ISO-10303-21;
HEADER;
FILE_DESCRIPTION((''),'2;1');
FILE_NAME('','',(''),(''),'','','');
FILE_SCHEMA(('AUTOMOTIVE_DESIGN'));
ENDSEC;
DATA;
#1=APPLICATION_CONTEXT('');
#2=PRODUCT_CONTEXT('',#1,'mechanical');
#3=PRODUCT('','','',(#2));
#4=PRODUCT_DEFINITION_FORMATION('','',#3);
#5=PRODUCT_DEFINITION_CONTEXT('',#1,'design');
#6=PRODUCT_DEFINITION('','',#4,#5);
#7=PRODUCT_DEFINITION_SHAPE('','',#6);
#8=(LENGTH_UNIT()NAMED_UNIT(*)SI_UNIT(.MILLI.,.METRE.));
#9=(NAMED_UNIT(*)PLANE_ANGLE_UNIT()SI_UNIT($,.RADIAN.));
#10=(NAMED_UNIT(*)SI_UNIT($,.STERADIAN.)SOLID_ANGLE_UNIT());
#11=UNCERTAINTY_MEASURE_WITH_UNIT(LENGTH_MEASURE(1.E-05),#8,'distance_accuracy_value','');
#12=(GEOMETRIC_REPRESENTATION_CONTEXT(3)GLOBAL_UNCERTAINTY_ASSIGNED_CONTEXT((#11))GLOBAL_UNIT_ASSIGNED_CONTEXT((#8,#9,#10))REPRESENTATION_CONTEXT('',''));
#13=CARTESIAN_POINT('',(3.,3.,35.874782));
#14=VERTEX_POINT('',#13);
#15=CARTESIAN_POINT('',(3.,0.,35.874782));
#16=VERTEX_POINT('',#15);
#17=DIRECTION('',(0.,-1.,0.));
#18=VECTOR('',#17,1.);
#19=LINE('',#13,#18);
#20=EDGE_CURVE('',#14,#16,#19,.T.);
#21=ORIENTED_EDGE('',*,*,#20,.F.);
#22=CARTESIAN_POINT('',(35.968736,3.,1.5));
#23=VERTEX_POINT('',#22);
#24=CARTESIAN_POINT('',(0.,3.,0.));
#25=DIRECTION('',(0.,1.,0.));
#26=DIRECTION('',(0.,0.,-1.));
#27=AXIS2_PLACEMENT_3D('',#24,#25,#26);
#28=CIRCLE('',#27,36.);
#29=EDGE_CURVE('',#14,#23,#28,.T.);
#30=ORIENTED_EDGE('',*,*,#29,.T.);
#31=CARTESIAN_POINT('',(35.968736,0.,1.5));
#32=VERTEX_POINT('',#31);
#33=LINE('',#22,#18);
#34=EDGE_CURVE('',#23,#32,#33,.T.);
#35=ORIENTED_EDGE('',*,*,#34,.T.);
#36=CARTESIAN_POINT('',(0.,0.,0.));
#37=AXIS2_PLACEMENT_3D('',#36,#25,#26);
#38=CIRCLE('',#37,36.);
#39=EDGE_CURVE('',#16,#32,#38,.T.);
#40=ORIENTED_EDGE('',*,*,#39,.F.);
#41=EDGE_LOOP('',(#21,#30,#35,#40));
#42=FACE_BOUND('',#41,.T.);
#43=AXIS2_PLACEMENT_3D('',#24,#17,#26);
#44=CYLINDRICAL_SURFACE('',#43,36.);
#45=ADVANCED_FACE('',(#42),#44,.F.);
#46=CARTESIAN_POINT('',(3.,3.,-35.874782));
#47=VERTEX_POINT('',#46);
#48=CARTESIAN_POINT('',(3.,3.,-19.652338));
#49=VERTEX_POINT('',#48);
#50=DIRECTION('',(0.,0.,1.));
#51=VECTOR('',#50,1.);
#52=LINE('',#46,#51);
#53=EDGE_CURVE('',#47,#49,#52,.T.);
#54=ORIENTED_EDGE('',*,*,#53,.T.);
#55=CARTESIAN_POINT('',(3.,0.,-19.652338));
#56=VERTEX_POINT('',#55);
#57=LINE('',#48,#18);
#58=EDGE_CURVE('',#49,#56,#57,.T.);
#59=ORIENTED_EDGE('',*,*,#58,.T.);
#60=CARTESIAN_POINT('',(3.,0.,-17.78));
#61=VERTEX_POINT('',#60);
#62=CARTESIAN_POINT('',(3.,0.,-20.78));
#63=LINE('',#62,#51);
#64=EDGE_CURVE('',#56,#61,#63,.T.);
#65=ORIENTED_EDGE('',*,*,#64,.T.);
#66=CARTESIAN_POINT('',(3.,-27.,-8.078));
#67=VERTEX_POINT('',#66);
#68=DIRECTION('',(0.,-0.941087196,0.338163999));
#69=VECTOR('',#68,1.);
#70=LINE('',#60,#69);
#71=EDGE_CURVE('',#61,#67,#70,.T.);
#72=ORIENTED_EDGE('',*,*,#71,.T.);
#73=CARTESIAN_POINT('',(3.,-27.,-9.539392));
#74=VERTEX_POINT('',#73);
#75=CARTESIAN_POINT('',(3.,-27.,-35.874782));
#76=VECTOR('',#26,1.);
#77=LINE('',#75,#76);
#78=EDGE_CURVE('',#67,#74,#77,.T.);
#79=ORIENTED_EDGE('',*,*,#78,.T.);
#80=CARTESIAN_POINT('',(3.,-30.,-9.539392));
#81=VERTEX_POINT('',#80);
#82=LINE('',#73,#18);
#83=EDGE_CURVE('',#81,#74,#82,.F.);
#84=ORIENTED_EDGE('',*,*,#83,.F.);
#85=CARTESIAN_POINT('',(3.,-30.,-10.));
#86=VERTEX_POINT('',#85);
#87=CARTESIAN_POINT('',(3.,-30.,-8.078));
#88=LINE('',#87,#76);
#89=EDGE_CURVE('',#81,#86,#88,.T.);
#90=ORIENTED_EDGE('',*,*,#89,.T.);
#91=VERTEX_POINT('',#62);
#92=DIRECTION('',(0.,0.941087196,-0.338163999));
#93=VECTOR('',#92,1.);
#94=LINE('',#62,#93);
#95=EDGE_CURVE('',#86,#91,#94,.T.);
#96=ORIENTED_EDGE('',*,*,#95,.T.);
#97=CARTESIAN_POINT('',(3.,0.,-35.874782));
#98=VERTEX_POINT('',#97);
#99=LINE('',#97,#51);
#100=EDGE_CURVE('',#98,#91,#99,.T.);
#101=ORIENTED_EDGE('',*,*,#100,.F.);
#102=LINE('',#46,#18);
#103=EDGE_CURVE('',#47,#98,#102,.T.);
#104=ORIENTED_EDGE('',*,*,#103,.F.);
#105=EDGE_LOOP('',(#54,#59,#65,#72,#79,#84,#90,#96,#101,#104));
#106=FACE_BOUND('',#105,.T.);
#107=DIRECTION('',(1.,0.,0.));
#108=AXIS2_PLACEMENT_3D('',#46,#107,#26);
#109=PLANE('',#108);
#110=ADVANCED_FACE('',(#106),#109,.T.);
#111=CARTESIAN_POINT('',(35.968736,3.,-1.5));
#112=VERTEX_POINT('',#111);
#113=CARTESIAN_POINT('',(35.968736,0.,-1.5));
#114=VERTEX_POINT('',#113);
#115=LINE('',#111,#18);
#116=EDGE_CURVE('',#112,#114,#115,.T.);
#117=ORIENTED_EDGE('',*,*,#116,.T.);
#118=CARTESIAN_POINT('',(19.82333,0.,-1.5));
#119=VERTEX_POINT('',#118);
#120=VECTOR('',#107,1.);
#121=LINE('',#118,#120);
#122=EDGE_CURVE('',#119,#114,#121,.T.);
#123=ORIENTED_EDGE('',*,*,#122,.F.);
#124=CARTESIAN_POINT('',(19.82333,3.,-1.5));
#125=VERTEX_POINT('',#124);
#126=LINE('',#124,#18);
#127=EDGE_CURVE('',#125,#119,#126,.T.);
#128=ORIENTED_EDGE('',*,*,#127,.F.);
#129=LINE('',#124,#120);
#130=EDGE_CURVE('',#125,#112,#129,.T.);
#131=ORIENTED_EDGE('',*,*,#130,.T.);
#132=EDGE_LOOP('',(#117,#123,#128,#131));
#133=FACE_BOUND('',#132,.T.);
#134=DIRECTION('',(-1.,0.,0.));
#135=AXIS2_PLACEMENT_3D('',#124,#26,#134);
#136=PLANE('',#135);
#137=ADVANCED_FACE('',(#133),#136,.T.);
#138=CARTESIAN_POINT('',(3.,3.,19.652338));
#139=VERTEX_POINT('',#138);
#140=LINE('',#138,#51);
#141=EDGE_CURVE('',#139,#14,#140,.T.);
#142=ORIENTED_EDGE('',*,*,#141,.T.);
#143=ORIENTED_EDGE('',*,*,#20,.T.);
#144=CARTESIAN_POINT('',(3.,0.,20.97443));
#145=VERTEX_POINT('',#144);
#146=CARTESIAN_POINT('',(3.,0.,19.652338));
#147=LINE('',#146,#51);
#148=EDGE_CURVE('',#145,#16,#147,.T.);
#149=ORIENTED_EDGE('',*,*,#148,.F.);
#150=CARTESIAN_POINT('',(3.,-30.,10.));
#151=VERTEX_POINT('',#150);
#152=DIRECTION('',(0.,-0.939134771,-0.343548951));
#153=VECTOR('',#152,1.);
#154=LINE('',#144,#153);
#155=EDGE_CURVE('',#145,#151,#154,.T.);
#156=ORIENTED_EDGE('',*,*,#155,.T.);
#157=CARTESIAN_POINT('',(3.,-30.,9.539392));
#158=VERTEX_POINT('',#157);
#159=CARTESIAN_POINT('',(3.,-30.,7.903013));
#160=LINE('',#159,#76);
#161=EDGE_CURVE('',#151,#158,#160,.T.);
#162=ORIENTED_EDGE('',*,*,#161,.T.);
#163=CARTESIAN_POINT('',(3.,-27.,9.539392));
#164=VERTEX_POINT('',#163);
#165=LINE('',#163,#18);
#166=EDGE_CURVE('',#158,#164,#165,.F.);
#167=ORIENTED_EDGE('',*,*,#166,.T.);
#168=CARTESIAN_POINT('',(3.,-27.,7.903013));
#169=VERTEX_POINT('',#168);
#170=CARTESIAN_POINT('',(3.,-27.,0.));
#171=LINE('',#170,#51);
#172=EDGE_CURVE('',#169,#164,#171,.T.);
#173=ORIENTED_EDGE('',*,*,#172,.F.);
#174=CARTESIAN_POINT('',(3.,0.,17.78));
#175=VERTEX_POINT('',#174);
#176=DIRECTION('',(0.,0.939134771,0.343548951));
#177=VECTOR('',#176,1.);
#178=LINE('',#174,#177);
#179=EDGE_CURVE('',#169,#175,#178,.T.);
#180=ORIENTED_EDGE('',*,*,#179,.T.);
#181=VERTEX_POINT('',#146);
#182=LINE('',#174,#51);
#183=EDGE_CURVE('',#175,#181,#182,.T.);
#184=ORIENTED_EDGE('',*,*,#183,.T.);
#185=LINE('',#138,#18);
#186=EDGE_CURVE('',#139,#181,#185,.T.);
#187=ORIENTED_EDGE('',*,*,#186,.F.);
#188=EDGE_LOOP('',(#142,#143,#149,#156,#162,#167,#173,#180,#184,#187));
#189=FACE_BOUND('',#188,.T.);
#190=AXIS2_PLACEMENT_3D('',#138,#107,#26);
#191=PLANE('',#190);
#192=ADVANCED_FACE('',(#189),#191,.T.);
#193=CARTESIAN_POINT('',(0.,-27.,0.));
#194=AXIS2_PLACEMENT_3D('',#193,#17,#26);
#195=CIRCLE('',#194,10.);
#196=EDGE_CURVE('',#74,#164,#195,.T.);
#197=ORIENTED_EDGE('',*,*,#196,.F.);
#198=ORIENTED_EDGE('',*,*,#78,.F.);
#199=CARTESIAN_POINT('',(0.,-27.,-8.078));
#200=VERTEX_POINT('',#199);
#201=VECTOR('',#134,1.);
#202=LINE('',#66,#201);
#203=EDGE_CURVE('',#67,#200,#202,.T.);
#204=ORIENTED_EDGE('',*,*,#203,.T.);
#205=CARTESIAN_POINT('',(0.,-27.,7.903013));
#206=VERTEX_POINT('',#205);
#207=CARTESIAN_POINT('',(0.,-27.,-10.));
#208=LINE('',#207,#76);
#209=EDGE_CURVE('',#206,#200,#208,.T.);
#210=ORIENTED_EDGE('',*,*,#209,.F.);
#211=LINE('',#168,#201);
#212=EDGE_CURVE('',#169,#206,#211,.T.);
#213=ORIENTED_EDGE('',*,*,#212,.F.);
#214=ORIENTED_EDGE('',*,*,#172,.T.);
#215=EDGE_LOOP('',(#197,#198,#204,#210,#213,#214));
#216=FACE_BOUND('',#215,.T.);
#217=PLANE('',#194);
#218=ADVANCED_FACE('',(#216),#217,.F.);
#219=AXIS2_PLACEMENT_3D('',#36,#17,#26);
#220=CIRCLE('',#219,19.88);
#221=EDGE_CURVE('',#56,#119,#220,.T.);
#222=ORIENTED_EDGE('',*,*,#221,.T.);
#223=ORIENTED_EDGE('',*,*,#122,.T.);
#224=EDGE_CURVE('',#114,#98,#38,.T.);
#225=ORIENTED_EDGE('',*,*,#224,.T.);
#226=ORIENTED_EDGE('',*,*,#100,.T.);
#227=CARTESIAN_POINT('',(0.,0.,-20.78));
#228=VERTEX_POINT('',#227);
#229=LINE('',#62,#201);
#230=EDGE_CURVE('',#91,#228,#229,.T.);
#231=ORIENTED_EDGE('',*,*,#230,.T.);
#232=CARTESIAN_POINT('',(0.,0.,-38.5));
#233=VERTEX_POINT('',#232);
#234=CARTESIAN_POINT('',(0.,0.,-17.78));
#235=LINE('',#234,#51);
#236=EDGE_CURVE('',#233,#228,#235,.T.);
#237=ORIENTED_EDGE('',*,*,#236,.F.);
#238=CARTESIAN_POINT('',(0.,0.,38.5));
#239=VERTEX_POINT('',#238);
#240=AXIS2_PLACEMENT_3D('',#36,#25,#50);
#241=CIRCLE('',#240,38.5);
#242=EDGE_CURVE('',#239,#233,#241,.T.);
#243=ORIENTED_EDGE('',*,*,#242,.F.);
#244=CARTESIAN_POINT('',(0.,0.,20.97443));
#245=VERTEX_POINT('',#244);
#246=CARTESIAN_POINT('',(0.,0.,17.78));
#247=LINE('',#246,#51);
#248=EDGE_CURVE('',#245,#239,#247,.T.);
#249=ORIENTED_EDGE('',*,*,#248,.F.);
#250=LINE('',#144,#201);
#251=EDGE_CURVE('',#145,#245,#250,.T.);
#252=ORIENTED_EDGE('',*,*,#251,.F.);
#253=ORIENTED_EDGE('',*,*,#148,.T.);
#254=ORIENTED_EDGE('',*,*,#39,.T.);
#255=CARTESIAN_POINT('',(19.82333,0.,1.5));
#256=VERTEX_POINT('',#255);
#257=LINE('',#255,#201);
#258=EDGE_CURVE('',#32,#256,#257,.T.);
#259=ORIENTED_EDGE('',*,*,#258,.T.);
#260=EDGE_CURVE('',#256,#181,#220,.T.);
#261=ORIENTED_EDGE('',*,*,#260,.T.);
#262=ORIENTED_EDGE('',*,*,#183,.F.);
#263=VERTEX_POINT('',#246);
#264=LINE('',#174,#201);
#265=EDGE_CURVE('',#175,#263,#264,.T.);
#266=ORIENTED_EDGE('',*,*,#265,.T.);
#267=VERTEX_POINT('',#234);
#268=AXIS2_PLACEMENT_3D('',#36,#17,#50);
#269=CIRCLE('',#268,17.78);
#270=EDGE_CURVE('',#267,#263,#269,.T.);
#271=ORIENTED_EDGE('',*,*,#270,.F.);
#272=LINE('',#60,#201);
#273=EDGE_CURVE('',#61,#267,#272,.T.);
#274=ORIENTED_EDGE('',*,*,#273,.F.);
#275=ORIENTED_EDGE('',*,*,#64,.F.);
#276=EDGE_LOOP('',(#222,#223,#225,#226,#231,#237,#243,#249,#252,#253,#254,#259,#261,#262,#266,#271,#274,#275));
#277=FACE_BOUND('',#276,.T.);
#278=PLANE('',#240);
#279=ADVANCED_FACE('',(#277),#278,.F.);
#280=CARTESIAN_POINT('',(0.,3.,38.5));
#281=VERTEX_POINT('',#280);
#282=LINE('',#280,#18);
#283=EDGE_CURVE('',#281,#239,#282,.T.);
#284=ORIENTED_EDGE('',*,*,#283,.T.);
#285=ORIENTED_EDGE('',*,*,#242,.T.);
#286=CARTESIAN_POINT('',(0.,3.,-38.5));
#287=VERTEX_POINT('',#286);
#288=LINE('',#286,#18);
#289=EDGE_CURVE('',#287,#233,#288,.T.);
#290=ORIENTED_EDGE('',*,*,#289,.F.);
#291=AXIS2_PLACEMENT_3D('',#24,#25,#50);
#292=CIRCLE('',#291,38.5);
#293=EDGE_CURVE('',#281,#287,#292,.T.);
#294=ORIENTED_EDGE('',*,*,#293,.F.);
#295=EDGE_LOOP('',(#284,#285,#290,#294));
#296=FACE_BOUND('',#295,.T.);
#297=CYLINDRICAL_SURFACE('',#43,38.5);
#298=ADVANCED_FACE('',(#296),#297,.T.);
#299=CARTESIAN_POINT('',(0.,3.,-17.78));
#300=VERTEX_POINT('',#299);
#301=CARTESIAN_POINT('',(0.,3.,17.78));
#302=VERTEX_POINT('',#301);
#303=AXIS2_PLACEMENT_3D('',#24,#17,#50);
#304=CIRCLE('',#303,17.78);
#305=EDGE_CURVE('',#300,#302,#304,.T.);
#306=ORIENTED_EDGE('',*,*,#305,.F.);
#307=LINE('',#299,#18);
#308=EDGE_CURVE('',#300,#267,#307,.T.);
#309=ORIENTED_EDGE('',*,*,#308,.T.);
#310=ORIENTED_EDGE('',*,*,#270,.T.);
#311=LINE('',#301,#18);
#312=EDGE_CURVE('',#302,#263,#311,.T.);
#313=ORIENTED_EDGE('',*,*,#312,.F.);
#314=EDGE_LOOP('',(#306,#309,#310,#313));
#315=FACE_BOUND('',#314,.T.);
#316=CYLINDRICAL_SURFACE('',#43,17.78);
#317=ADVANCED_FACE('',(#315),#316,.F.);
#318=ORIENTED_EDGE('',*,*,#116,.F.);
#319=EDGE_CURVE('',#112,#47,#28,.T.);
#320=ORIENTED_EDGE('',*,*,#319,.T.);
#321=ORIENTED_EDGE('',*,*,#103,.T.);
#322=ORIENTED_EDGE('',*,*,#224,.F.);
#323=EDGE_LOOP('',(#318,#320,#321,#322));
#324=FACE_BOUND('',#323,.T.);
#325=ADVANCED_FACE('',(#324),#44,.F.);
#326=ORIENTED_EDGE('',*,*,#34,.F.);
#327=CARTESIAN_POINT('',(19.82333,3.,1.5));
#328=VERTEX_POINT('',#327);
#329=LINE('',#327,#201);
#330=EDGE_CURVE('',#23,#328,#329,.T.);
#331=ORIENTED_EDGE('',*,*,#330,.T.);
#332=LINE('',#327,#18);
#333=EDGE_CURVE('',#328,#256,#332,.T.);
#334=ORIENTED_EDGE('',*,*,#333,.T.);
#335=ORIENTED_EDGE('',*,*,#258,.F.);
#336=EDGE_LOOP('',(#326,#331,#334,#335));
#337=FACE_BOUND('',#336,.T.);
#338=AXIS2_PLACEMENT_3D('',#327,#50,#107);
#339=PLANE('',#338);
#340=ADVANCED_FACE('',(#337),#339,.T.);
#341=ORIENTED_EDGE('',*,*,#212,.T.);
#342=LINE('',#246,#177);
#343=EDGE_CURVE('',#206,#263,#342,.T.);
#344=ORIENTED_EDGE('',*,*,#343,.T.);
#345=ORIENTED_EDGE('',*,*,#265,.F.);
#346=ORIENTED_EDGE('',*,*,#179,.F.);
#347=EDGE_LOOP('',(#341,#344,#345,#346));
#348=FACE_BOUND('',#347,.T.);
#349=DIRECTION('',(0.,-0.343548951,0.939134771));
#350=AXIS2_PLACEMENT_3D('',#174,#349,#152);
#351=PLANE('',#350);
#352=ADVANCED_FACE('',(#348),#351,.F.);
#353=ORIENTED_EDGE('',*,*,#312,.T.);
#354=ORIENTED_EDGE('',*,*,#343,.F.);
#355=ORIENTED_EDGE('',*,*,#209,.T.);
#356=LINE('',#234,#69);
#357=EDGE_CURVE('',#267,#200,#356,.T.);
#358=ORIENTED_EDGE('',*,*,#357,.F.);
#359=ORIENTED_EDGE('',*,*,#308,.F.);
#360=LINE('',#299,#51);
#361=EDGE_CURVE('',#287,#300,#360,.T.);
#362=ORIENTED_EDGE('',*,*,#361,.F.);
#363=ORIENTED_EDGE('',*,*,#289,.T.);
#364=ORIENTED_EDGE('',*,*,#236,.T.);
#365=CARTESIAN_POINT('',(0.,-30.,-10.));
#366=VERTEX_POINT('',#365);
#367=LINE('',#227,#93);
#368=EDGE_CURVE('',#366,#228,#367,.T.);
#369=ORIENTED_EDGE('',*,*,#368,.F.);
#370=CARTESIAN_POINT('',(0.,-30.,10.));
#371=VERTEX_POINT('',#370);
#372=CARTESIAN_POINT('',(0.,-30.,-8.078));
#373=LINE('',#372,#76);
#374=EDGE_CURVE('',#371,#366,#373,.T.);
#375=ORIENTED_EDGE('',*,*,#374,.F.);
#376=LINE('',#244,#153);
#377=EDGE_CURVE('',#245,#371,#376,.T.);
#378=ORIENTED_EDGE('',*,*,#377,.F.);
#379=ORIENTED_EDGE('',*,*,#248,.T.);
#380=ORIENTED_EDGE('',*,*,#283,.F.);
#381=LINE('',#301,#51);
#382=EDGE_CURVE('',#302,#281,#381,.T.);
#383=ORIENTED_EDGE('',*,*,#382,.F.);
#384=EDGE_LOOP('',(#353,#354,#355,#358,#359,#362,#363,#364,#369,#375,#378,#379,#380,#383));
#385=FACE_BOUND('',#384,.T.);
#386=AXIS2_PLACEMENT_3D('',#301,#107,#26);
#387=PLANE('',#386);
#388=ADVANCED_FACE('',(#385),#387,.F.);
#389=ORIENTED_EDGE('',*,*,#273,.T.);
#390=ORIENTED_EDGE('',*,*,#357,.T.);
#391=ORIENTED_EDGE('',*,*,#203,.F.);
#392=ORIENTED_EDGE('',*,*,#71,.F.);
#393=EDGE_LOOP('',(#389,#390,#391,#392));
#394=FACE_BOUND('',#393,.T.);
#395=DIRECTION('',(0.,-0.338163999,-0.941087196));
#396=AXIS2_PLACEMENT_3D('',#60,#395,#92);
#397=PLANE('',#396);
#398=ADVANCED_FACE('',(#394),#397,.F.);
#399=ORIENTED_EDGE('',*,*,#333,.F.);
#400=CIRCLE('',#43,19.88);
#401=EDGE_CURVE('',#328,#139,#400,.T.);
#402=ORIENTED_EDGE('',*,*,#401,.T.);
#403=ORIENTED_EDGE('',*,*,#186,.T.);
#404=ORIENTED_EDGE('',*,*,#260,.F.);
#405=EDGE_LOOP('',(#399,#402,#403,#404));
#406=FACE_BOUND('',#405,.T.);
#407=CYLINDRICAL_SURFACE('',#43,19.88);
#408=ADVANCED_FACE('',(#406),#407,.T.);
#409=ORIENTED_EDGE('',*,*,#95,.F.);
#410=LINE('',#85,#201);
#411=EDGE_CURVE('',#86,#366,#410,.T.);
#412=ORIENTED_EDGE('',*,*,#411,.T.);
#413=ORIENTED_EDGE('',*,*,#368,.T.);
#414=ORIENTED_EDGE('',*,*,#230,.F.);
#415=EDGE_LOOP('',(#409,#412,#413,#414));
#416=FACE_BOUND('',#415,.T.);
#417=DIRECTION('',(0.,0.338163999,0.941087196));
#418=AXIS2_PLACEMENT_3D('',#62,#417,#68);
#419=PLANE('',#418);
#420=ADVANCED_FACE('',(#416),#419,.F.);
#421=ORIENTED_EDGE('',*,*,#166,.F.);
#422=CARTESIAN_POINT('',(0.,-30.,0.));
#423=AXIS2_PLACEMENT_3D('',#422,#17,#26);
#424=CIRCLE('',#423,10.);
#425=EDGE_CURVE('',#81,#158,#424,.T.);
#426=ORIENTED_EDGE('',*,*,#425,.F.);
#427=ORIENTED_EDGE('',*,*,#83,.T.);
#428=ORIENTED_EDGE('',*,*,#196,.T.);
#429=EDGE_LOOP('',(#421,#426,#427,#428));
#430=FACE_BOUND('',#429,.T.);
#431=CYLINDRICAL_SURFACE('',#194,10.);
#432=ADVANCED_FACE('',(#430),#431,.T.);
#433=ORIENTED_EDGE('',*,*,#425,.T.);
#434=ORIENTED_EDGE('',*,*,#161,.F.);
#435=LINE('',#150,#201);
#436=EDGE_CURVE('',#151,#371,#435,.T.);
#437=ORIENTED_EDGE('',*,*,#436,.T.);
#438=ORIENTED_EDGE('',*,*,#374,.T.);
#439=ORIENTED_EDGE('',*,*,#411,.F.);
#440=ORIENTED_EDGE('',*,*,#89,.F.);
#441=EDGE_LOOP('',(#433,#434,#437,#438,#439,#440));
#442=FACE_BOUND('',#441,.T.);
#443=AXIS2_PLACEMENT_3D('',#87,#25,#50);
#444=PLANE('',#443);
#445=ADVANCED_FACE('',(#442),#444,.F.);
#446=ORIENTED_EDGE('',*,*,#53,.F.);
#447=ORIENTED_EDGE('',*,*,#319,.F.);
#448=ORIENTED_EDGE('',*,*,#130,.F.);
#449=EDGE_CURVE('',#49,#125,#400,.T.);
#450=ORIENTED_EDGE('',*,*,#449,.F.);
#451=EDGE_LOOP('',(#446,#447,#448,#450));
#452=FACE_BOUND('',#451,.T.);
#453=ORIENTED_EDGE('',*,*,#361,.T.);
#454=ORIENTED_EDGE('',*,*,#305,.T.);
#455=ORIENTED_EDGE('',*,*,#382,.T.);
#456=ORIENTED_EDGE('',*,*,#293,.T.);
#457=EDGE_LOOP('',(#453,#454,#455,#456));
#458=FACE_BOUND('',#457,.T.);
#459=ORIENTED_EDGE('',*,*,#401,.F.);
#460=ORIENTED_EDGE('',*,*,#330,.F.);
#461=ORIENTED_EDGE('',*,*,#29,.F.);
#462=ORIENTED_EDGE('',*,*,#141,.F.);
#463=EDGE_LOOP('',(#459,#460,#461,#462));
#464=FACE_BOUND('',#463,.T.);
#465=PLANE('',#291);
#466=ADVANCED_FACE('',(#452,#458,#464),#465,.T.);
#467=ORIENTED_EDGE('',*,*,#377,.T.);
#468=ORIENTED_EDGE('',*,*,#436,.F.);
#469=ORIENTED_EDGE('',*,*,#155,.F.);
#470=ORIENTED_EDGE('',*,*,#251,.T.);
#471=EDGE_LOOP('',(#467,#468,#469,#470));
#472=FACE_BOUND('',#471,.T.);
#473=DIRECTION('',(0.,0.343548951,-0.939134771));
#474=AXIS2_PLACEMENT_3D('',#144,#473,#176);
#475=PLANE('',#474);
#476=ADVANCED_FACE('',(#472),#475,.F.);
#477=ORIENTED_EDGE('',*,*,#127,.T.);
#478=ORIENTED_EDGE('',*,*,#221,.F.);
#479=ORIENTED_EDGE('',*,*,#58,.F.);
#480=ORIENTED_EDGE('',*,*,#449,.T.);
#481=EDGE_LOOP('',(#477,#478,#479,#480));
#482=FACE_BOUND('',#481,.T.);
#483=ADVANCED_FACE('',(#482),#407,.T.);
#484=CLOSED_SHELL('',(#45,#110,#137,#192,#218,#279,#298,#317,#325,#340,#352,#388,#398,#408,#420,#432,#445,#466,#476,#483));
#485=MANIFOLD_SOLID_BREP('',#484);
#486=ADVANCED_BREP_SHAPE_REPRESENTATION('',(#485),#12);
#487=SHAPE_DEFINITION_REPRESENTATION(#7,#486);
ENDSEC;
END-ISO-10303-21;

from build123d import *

# Parameters (mm, degrees)
BOSS_EXTRUDE2_DEPTH = 3
BOSS_EXTRUDE3_DEPTH = 3
BOSS_EXTRUDE4_DEPTH = 3


with BuildPart() as part:
    # Sketch1 → Boss-Extrude2 (new body)
    with BuildSketch(Plane(origin=(0, 0, 0), x_dir=(1, 0, 0), z_dir=(0, 1, 0))):
        with BuildLine():
            Line((0, -17.78), (0, -38.5))
            ThreePointArc((0, -38.5), (38.5, 0), (0, 38.5))
            Line((0, 38.5), (0, 17.78))
            ThreePointArc((0, 17.78), (17.78, 0), (0, -17.78))
        make_face()
        with BuildLine():
            Line((3, 35.874782229), (3, 19.652338283))
            ThreePointArc((3, 19.652338283), (14.580910151, 13.513380746), (19.82332969, 1.5))
            Line((19.82332969, 1.5), (35.968736425, 1.5))
            ThreePointArc((35.968736425, 1.5), (25.981666959, 24.918928188), (3, 35.874782229))
        make_face(mode=Mode.SUBTRACT)
        with BuildLine():
            Line((3, -19.652338283), (3, -35.874782229))
            ThreePointArc((3, -35.874782229), (25.981666959, -24.918928188), (35.968736425, -1.5))
            Line((35.968736425, -1.5), (19.82332969, -1.5))
            ThreePointArc((19.82332969, -1.5), (14.580910151, -13.513380746), (3, -19.652338283))
        make_face(mode=Mode.SUBTRACT)
    extrude(amount=BOSS_EXTRUDE2_DEPTH)



with BuildPart() as body_2:
    # Sketch4 → Boss-Extrude3 (new body)
    with BuildSketch(Plane(origin=(0, -30, 0), x_dir=(-1, 0, 0), z_dir=(0, -1, 0))):
        with BuildLine():
            Line((0, 10), (0, -10))
            ThreePointArc((0, -10), (-10, 0), (0, 10))
        make_face()
    extrude(amount=-BOSS_EXTRUDE3_DEPTH)


with BuildPart() as part_1:
    add(part.part)

    add(body_2.part)  # Boss-Extrude4 merges body 2
    # Sketch6 → Boss-Extrude4 (add)
    with BuildSketch(Plane(origin=(0, 0, 0), x_dir=(0, 0, -1), z_dir=(1, 0, 0))):
        Polygon((20.78, 0), (10, -30), (8.078, -30), (8.078, -27), (17.78, 0), align=None)
        Polygon((-20.974429694, 0), (-10, -30), (-7.903013275, -30), (-7.903013275, -27), (-17.78, 0), align=None)
    extrude(amount=BOSS_EXTRUDE4_DEPTH)


solid = part_1.part
